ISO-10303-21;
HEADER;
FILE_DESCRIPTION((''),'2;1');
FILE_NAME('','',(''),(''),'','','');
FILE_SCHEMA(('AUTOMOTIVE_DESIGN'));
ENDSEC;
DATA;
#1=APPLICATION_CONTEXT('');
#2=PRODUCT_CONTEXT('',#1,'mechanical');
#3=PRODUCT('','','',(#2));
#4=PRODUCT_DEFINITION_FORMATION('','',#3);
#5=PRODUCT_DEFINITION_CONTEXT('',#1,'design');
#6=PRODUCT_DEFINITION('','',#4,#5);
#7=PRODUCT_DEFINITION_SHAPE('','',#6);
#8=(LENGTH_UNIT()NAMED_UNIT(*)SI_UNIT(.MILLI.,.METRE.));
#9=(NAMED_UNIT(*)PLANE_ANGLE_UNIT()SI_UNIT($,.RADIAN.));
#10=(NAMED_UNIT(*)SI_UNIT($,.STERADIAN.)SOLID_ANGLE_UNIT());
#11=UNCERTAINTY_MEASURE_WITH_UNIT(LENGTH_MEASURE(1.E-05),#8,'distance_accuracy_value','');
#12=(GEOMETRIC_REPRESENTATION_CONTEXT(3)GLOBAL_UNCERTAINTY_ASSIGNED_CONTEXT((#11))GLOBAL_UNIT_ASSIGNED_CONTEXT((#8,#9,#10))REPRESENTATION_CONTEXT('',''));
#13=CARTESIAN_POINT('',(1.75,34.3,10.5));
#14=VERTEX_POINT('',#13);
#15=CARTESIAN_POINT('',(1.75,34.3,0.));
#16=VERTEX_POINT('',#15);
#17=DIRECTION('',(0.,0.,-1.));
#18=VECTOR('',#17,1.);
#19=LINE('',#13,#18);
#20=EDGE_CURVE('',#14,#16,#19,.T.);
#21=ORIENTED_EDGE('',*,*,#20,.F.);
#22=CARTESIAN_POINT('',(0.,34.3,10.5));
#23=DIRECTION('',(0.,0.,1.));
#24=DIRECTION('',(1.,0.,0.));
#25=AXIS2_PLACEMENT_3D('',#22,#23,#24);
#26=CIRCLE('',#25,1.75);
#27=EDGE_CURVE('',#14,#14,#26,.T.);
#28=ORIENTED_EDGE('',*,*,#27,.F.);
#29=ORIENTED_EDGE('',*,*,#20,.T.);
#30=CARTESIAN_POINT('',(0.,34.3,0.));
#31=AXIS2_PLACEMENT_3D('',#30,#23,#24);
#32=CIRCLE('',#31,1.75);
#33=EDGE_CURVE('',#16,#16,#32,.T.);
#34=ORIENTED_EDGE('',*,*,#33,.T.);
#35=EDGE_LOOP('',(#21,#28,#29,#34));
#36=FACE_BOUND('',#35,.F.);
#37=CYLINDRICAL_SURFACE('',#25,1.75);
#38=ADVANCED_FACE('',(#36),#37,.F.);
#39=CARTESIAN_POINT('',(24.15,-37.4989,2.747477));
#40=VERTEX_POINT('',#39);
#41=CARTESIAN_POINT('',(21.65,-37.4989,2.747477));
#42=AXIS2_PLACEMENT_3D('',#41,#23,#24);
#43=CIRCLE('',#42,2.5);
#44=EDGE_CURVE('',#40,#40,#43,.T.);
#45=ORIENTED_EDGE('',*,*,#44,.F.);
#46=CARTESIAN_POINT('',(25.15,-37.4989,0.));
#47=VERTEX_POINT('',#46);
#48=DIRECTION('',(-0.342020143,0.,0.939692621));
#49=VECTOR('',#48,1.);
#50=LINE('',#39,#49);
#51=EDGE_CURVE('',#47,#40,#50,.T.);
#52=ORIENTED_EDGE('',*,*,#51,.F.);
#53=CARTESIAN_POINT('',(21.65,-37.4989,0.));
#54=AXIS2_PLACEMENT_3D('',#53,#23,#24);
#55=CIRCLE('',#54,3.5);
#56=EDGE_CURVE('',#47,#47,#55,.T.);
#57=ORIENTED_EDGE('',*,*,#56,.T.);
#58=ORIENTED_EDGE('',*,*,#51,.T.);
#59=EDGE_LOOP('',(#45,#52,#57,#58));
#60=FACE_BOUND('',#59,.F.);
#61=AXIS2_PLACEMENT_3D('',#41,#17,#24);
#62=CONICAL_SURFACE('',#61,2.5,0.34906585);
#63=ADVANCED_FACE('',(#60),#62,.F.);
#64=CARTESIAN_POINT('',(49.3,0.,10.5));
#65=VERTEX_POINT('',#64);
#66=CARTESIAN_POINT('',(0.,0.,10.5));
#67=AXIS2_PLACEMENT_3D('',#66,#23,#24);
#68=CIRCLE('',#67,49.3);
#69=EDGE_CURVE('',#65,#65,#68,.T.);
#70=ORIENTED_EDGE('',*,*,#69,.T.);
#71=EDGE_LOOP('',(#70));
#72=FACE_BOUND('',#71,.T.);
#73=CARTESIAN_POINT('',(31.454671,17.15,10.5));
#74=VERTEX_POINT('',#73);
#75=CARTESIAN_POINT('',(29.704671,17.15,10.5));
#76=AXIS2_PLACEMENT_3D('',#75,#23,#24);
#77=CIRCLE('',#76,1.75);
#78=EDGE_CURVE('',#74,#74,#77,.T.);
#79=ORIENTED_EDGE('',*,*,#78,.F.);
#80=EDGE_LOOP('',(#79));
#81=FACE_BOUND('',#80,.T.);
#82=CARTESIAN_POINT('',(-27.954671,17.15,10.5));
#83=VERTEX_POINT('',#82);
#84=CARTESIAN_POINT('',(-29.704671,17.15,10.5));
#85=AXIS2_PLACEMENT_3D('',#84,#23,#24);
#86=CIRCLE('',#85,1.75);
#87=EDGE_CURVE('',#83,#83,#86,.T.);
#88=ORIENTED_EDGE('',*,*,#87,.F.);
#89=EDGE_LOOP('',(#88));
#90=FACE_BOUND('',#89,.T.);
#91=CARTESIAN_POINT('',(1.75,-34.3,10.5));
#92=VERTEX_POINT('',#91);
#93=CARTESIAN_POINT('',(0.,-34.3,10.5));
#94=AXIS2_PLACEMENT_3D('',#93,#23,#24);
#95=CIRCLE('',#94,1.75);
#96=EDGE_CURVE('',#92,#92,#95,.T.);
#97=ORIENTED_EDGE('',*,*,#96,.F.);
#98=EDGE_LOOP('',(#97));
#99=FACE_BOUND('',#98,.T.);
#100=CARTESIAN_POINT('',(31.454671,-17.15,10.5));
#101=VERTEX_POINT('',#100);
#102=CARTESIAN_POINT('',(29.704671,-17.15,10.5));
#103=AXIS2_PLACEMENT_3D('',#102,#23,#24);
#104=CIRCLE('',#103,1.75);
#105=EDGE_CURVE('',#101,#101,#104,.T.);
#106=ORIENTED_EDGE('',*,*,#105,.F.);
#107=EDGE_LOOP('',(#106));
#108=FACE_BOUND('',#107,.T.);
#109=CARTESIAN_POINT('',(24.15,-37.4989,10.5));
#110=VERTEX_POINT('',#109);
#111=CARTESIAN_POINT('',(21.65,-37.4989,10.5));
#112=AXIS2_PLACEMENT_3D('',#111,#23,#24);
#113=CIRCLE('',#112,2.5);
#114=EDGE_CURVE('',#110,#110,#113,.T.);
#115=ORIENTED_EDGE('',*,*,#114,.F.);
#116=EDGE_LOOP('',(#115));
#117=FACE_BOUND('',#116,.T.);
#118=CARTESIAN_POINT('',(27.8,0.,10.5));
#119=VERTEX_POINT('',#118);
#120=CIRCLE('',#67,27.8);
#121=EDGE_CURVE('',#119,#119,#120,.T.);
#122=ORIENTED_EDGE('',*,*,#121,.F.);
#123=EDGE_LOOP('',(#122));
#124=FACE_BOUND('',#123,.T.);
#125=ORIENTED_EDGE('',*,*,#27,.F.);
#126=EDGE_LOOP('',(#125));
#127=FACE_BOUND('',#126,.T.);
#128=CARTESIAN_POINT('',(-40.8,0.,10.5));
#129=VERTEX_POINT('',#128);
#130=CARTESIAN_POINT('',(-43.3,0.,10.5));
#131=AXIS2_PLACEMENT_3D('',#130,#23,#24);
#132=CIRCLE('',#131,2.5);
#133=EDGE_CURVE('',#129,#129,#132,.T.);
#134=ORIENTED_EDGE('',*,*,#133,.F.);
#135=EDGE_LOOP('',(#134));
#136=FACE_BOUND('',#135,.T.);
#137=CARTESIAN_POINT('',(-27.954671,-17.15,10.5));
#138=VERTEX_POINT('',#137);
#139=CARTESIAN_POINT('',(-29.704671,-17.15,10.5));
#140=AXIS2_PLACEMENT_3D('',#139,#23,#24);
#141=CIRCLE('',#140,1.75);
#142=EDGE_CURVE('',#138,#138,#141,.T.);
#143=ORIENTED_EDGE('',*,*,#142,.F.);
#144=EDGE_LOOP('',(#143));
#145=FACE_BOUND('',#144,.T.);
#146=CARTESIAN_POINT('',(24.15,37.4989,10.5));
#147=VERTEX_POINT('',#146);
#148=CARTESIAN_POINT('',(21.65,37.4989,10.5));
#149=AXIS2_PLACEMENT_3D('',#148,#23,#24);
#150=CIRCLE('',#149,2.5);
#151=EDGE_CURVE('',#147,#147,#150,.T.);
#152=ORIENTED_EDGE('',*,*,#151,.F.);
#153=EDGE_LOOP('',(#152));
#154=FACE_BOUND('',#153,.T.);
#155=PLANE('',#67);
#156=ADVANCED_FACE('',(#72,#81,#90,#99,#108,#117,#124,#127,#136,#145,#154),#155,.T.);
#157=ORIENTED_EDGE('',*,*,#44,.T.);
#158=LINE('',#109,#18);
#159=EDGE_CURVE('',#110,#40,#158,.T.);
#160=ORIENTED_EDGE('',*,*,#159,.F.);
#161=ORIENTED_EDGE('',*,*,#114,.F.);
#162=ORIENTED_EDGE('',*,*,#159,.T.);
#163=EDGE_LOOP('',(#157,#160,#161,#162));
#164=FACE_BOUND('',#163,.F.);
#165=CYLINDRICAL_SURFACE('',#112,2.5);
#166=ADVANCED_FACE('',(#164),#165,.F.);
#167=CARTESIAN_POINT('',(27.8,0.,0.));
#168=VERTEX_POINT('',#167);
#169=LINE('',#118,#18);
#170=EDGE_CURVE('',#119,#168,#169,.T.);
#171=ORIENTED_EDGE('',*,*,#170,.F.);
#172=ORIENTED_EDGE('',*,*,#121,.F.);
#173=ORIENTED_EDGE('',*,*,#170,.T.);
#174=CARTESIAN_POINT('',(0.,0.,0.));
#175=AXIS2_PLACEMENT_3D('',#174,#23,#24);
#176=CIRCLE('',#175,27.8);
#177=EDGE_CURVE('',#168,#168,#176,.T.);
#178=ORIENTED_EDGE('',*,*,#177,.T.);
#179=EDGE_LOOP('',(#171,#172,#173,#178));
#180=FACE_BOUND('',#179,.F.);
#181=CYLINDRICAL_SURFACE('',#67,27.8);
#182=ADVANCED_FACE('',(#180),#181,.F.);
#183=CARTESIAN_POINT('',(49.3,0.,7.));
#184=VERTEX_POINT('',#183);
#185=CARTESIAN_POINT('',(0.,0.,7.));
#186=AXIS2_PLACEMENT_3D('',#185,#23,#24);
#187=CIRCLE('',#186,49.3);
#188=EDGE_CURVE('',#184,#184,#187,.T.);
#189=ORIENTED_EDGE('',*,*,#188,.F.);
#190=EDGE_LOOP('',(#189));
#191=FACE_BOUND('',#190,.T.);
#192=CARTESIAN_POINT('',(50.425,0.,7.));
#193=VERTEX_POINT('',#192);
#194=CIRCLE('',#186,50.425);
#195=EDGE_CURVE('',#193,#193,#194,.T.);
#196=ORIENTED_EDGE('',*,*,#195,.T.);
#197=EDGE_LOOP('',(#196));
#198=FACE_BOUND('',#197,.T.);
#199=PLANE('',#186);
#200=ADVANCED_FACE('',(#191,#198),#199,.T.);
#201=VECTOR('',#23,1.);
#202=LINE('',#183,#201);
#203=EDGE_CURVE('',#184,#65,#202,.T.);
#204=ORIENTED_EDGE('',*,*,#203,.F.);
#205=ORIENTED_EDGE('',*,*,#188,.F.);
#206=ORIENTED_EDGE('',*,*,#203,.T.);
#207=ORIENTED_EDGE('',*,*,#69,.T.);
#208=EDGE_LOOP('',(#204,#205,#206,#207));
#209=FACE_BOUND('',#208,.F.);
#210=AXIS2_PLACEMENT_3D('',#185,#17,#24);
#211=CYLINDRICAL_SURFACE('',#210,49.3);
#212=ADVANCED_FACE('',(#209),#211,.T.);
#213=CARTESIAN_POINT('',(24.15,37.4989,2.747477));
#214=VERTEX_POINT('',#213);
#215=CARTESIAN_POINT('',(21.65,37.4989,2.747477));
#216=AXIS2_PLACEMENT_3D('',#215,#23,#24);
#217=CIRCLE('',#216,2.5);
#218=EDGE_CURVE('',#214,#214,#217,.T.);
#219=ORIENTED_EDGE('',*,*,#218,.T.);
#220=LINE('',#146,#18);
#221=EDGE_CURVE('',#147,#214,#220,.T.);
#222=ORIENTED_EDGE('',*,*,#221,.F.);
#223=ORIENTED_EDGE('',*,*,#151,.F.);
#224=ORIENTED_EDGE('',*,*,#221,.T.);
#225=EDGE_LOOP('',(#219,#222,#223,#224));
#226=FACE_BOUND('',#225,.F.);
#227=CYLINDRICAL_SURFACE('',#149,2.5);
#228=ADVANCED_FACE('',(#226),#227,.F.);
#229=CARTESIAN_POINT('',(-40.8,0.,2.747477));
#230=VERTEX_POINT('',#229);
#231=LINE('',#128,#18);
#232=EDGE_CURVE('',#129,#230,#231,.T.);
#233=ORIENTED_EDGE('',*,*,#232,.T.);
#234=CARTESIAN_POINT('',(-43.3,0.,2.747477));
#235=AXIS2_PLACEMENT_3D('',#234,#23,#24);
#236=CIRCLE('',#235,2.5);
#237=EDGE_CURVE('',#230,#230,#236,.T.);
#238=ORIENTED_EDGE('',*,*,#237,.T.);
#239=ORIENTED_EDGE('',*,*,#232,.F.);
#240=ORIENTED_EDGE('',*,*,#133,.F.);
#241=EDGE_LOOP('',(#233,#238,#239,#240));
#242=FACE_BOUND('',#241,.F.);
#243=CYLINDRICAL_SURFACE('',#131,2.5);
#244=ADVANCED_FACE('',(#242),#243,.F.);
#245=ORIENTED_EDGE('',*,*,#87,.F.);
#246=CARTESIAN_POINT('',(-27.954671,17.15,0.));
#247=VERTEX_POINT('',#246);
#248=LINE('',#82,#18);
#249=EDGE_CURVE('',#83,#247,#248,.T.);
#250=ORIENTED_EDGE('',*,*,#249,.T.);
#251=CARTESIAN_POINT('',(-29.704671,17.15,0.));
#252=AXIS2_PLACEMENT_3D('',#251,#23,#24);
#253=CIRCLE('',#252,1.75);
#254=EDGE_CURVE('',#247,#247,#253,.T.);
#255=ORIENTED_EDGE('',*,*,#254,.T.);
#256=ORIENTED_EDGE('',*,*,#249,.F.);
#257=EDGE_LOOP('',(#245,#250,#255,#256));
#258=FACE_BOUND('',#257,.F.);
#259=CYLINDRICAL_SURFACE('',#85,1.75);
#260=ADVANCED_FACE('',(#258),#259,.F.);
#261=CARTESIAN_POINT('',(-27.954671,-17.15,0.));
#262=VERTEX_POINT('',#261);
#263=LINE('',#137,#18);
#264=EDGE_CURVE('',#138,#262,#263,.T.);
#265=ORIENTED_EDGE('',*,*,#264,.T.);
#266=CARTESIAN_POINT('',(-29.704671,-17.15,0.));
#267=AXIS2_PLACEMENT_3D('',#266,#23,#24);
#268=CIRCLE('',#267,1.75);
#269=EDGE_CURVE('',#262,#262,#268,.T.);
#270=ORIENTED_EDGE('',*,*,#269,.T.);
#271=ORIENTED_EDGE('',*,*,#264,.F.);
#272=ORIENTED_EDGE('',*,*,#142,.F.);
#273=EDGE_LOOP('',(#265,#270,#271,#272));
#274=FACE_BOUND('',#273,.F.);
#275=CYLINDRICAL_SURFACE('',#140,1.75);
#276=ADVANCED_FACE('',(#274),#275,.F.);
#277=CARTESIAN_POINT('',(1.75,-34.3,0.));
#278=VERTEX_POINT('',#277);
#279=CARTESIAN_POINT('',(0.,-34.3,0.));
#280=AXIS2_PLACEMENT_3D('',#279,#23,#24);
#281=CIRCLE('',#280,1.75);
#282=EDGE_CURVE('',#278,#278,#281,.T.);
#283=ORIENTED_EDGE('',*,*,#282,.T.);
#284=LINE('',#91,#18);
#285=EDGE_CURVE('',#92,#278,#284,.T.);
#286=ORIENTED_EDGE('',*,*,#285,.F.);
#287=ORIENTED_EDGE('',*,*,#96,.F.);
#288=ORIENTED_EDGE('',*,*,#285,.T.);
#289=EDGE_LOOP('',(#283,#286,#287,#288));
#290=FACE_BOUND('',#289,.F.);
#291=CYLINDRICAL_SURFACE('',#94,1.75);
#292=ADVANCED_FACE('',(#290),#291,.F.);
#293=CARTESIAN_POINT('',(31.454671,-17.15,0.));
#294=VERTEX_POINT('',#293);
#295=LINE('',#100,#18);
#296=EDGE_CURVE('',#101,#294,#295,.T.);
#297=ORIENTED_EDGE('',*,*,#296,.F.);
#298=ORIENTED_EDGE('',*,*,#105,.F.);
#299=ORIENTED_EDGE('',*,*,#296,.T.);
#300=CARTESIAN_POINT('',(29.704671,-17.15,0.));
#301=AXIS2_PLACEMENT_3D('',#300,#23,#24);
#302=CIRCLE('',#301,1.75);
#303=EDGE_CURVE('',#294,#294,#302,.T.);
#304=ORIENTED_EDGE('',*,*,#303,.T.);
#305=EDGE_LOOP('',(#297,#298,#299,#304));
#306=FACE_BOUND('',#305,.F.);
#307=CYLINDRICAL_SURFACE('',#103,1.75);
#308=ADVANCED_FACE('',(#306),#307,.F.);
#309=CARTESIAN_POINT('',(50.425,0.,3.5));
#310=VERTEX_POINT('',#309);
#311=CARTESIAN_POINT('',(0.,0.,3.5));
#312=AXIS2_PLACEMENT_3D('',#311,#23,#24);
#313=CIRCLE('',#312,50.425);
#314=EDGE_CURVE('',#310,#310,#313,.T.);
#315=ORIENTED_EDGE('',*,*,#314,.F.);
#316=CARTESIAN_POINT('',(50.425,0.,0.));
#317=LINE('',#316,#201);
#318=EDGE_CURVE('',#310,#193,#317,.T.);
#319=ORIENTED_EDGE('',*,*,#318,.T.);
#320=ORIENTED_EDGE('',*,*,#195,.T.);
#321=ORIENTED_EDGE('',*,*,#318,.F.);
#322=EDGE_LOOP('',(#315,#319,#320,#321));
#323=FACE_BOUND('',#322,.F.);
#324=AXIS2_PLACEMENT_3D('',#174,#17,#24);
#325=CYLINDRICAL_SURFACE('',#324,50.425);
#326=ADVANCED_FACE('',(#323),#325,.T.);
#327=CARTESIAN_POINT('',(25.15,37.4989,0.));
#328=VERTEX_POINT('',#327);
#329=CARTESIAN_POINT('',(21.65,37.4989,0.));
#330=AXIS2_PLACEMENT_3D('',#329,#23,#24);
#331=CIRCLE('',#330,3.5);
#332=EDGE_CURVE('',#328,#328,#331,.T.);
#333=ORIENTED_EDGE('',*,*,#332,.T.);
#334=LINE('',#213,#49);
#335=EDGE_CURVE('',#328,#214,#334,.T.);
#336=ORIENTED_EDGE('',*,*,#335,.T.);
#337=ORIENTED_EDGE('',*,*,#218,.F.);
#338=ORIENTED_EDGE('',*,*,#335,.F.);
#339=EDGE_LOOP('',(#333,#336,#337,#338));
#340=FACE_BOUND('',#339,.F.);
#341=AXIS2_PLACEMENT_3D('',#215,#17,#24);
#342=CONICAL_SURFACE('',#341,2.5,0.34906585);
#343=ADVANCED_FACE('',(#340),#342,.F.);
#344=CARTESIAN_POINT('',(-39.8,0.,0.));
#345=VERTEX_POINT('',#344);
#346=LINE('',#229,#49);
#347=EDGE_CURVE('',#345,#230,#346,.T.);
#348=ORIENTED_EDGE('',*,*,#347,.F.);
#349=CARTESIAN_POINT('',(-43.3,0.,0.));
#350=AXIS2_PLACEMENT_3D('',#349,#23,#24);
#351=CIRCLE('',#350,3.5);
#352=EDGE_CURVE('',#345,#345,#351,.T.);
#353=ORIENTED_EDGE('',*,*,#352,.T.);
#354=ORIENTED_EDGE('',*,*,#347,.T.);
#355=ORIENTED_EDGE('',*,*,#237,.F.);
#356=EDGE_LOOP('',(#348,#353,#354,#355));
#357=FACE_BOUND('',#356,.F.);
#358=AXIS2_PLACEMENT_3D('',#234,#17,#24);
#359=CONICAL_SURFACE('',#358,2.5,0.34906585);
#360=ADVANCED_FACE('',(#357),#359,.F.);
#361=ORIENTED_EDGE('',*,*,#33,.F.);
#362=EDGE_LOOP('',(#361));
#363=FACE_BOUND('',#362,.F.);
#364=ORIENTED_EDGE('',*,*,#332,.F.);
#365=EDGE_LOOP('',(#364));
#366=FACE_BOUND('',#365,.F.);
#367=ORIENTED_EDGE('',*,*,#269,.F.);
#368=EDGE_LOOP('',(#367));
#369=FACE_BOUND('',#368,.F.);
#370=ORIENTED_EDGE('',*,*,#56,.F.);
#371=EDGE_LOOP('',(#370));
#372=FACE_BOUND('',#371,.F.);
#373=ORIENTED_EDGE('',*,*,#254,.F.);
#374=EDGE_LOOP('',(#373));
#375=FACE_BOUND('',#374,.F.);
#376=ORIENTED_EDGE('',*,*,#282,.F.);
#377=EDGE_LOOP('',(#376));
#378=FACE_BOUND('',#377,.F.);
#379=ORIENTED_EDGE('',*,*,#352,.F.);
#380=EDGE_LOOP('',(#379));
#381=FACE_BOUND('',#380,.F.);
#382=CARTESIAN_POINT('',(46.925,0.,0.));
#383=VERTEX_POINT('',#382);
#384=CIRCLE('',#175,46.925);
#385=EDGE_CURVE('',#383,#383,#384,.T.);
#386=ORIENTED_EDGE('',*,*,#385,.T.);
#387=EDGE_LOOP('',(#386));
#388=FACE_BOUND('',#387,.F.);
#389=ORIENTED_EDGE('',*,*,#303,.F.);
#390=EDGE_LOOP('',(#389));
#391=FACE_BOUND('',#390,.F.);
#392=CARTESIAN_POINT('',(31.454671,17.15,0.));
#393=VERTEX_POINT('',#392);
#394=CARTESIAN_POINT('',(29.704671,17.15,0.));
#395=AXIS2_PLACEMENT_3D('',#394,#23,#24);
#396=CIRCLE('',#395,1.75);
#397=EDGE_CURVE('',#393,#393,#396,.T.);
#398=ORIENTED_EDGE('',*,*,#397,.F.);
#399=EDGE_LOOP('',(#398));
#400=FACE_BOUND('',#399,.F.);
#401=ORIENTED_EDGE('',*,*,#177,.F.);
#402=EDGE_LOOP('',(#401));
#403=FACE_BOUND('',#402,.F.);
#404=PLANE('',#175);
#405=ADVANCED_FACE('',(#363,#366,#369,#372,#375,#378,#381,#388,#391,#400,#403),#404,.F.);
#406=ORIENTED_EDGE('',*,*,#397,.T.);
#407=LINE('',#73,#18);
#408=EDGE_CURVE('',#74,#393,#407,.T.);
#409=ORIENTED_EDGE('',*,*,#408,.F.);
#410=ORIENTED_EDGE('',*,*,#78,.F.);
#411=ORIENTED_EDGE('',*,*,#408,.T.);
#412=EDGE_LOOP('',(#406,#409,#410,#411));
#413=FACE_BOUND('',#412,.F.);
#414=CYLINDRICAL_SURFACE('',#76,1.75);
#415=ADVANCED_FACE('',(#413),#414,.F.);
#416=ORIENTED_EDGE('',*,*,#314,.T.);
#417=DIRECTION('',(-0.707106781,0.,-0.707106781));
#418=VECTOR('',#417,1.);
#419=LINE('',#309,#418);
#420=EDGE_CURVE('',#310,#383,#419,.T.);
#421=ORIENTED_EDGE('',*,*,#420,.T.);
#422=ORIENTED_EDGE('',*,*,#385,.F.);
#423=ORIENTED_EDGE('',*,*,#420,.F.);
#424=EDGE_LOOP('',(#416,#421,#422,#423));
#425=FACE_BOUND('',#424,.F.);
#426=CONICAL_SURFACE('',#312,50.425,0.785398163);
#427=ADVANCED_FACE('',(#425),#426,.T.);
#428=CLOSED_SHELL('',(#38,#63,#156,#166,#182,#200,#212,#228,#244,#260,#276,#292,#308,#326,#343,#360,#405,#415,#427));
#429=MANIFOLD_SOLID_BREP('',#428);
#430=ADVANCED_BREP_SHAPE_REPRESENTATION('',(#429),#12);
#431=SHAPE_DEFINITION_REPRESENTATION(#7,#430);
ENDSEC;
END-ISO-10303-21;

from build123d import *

# Parameters (mm, degrees)
SKETCH_R         = 50.425
PAD_DEPTH        = 7
SKETCH001_R      = 49.3
PAD001_DEPTH     = 3.5
CHAMFER_SIZE     = 3.5
SKETCH002_R      = 27.8
SKETCH002_R_2    = 2.5
SKETCH002_R_3    = 1.75
POCKET_DEPTH     = 10.501
CHAMFER001_ANGLE = 70
CHAMFER001_SIZE  = 1


with BuildPart() as part:
    # Sketch → Pad (new body)
    with BuildSketch(Plane.XY):
        Circle(SKETCH_R)
    extrude(amount=PAD_DEPTH)

    # Sketch001 (on Face3 of Pad) → Pad001 (join)
    with BuildSketch(Plane.XY.offset(7)):
        Circle(SKETCH001_R)
    extrude(amount=PAD001_DEPTH)

    # Chamfer
    chamfer_edges = [part.edges().sort_by_distance(p)[0] for p in [
        (-50.425, 0, 0),
    ]]
    chamfer(chamfer_edges, length=CHAMFER_SIZE)

    # Sketch002 (on Face6 of Chamfer) → Pocket (cut, through all)
    with BuildSketch(Plane.XY.offset(10.5)):
        Circle(SKETCH002_R)
        with Locations((-43.3, 0)):
            Circle(SKETCH002_R_2)
        with Locations((21.65, 37.4989)):
            Circle(SKETCH002_R_2)
        with Locations((21.65, -37.4989)):
            Circle(SKETCH002_R_2)
        with Locations((-29.704671, 17.15)):
            Circle(SKETCH002_R_3)
        with Locations((0, 34.3)):
            Circle(SKETCH002_R_3)
        with Locations((29.704671, 17.15)):
            Circle(SKETCH002_R_3)
        with Locations((29.704671, -17.15)):
            Circle(SKETCH002_R_3)
        with Locations((0, -34.3)):
            Circle(SKETCH002_R_3)
        with Locations((-29.704671, -17.15)):
            Circle(SKETCH002_R_3)
    extrude(amount=-POCKET_DEPTH, mode=Mode.SUBTRACT)

    # Chamfer001
    chamfer001_edges = [part.edges().sort_by_distance(p)[0] for p in [
        (19.15, -37.4989, 0),
        (-45.8, 0, 0),
        (19.15, 37.4989, 0),
    ]]
    chamfer001_side = part.faces().sort_by_distance((-46.792276, 0, 0))[0]
    chamfer(chamfer001_edges, length=CHAMFER001_SIZE, angle=CHAMFER001_ANGLE, reference=chamfer001_side)


solid = part.part
